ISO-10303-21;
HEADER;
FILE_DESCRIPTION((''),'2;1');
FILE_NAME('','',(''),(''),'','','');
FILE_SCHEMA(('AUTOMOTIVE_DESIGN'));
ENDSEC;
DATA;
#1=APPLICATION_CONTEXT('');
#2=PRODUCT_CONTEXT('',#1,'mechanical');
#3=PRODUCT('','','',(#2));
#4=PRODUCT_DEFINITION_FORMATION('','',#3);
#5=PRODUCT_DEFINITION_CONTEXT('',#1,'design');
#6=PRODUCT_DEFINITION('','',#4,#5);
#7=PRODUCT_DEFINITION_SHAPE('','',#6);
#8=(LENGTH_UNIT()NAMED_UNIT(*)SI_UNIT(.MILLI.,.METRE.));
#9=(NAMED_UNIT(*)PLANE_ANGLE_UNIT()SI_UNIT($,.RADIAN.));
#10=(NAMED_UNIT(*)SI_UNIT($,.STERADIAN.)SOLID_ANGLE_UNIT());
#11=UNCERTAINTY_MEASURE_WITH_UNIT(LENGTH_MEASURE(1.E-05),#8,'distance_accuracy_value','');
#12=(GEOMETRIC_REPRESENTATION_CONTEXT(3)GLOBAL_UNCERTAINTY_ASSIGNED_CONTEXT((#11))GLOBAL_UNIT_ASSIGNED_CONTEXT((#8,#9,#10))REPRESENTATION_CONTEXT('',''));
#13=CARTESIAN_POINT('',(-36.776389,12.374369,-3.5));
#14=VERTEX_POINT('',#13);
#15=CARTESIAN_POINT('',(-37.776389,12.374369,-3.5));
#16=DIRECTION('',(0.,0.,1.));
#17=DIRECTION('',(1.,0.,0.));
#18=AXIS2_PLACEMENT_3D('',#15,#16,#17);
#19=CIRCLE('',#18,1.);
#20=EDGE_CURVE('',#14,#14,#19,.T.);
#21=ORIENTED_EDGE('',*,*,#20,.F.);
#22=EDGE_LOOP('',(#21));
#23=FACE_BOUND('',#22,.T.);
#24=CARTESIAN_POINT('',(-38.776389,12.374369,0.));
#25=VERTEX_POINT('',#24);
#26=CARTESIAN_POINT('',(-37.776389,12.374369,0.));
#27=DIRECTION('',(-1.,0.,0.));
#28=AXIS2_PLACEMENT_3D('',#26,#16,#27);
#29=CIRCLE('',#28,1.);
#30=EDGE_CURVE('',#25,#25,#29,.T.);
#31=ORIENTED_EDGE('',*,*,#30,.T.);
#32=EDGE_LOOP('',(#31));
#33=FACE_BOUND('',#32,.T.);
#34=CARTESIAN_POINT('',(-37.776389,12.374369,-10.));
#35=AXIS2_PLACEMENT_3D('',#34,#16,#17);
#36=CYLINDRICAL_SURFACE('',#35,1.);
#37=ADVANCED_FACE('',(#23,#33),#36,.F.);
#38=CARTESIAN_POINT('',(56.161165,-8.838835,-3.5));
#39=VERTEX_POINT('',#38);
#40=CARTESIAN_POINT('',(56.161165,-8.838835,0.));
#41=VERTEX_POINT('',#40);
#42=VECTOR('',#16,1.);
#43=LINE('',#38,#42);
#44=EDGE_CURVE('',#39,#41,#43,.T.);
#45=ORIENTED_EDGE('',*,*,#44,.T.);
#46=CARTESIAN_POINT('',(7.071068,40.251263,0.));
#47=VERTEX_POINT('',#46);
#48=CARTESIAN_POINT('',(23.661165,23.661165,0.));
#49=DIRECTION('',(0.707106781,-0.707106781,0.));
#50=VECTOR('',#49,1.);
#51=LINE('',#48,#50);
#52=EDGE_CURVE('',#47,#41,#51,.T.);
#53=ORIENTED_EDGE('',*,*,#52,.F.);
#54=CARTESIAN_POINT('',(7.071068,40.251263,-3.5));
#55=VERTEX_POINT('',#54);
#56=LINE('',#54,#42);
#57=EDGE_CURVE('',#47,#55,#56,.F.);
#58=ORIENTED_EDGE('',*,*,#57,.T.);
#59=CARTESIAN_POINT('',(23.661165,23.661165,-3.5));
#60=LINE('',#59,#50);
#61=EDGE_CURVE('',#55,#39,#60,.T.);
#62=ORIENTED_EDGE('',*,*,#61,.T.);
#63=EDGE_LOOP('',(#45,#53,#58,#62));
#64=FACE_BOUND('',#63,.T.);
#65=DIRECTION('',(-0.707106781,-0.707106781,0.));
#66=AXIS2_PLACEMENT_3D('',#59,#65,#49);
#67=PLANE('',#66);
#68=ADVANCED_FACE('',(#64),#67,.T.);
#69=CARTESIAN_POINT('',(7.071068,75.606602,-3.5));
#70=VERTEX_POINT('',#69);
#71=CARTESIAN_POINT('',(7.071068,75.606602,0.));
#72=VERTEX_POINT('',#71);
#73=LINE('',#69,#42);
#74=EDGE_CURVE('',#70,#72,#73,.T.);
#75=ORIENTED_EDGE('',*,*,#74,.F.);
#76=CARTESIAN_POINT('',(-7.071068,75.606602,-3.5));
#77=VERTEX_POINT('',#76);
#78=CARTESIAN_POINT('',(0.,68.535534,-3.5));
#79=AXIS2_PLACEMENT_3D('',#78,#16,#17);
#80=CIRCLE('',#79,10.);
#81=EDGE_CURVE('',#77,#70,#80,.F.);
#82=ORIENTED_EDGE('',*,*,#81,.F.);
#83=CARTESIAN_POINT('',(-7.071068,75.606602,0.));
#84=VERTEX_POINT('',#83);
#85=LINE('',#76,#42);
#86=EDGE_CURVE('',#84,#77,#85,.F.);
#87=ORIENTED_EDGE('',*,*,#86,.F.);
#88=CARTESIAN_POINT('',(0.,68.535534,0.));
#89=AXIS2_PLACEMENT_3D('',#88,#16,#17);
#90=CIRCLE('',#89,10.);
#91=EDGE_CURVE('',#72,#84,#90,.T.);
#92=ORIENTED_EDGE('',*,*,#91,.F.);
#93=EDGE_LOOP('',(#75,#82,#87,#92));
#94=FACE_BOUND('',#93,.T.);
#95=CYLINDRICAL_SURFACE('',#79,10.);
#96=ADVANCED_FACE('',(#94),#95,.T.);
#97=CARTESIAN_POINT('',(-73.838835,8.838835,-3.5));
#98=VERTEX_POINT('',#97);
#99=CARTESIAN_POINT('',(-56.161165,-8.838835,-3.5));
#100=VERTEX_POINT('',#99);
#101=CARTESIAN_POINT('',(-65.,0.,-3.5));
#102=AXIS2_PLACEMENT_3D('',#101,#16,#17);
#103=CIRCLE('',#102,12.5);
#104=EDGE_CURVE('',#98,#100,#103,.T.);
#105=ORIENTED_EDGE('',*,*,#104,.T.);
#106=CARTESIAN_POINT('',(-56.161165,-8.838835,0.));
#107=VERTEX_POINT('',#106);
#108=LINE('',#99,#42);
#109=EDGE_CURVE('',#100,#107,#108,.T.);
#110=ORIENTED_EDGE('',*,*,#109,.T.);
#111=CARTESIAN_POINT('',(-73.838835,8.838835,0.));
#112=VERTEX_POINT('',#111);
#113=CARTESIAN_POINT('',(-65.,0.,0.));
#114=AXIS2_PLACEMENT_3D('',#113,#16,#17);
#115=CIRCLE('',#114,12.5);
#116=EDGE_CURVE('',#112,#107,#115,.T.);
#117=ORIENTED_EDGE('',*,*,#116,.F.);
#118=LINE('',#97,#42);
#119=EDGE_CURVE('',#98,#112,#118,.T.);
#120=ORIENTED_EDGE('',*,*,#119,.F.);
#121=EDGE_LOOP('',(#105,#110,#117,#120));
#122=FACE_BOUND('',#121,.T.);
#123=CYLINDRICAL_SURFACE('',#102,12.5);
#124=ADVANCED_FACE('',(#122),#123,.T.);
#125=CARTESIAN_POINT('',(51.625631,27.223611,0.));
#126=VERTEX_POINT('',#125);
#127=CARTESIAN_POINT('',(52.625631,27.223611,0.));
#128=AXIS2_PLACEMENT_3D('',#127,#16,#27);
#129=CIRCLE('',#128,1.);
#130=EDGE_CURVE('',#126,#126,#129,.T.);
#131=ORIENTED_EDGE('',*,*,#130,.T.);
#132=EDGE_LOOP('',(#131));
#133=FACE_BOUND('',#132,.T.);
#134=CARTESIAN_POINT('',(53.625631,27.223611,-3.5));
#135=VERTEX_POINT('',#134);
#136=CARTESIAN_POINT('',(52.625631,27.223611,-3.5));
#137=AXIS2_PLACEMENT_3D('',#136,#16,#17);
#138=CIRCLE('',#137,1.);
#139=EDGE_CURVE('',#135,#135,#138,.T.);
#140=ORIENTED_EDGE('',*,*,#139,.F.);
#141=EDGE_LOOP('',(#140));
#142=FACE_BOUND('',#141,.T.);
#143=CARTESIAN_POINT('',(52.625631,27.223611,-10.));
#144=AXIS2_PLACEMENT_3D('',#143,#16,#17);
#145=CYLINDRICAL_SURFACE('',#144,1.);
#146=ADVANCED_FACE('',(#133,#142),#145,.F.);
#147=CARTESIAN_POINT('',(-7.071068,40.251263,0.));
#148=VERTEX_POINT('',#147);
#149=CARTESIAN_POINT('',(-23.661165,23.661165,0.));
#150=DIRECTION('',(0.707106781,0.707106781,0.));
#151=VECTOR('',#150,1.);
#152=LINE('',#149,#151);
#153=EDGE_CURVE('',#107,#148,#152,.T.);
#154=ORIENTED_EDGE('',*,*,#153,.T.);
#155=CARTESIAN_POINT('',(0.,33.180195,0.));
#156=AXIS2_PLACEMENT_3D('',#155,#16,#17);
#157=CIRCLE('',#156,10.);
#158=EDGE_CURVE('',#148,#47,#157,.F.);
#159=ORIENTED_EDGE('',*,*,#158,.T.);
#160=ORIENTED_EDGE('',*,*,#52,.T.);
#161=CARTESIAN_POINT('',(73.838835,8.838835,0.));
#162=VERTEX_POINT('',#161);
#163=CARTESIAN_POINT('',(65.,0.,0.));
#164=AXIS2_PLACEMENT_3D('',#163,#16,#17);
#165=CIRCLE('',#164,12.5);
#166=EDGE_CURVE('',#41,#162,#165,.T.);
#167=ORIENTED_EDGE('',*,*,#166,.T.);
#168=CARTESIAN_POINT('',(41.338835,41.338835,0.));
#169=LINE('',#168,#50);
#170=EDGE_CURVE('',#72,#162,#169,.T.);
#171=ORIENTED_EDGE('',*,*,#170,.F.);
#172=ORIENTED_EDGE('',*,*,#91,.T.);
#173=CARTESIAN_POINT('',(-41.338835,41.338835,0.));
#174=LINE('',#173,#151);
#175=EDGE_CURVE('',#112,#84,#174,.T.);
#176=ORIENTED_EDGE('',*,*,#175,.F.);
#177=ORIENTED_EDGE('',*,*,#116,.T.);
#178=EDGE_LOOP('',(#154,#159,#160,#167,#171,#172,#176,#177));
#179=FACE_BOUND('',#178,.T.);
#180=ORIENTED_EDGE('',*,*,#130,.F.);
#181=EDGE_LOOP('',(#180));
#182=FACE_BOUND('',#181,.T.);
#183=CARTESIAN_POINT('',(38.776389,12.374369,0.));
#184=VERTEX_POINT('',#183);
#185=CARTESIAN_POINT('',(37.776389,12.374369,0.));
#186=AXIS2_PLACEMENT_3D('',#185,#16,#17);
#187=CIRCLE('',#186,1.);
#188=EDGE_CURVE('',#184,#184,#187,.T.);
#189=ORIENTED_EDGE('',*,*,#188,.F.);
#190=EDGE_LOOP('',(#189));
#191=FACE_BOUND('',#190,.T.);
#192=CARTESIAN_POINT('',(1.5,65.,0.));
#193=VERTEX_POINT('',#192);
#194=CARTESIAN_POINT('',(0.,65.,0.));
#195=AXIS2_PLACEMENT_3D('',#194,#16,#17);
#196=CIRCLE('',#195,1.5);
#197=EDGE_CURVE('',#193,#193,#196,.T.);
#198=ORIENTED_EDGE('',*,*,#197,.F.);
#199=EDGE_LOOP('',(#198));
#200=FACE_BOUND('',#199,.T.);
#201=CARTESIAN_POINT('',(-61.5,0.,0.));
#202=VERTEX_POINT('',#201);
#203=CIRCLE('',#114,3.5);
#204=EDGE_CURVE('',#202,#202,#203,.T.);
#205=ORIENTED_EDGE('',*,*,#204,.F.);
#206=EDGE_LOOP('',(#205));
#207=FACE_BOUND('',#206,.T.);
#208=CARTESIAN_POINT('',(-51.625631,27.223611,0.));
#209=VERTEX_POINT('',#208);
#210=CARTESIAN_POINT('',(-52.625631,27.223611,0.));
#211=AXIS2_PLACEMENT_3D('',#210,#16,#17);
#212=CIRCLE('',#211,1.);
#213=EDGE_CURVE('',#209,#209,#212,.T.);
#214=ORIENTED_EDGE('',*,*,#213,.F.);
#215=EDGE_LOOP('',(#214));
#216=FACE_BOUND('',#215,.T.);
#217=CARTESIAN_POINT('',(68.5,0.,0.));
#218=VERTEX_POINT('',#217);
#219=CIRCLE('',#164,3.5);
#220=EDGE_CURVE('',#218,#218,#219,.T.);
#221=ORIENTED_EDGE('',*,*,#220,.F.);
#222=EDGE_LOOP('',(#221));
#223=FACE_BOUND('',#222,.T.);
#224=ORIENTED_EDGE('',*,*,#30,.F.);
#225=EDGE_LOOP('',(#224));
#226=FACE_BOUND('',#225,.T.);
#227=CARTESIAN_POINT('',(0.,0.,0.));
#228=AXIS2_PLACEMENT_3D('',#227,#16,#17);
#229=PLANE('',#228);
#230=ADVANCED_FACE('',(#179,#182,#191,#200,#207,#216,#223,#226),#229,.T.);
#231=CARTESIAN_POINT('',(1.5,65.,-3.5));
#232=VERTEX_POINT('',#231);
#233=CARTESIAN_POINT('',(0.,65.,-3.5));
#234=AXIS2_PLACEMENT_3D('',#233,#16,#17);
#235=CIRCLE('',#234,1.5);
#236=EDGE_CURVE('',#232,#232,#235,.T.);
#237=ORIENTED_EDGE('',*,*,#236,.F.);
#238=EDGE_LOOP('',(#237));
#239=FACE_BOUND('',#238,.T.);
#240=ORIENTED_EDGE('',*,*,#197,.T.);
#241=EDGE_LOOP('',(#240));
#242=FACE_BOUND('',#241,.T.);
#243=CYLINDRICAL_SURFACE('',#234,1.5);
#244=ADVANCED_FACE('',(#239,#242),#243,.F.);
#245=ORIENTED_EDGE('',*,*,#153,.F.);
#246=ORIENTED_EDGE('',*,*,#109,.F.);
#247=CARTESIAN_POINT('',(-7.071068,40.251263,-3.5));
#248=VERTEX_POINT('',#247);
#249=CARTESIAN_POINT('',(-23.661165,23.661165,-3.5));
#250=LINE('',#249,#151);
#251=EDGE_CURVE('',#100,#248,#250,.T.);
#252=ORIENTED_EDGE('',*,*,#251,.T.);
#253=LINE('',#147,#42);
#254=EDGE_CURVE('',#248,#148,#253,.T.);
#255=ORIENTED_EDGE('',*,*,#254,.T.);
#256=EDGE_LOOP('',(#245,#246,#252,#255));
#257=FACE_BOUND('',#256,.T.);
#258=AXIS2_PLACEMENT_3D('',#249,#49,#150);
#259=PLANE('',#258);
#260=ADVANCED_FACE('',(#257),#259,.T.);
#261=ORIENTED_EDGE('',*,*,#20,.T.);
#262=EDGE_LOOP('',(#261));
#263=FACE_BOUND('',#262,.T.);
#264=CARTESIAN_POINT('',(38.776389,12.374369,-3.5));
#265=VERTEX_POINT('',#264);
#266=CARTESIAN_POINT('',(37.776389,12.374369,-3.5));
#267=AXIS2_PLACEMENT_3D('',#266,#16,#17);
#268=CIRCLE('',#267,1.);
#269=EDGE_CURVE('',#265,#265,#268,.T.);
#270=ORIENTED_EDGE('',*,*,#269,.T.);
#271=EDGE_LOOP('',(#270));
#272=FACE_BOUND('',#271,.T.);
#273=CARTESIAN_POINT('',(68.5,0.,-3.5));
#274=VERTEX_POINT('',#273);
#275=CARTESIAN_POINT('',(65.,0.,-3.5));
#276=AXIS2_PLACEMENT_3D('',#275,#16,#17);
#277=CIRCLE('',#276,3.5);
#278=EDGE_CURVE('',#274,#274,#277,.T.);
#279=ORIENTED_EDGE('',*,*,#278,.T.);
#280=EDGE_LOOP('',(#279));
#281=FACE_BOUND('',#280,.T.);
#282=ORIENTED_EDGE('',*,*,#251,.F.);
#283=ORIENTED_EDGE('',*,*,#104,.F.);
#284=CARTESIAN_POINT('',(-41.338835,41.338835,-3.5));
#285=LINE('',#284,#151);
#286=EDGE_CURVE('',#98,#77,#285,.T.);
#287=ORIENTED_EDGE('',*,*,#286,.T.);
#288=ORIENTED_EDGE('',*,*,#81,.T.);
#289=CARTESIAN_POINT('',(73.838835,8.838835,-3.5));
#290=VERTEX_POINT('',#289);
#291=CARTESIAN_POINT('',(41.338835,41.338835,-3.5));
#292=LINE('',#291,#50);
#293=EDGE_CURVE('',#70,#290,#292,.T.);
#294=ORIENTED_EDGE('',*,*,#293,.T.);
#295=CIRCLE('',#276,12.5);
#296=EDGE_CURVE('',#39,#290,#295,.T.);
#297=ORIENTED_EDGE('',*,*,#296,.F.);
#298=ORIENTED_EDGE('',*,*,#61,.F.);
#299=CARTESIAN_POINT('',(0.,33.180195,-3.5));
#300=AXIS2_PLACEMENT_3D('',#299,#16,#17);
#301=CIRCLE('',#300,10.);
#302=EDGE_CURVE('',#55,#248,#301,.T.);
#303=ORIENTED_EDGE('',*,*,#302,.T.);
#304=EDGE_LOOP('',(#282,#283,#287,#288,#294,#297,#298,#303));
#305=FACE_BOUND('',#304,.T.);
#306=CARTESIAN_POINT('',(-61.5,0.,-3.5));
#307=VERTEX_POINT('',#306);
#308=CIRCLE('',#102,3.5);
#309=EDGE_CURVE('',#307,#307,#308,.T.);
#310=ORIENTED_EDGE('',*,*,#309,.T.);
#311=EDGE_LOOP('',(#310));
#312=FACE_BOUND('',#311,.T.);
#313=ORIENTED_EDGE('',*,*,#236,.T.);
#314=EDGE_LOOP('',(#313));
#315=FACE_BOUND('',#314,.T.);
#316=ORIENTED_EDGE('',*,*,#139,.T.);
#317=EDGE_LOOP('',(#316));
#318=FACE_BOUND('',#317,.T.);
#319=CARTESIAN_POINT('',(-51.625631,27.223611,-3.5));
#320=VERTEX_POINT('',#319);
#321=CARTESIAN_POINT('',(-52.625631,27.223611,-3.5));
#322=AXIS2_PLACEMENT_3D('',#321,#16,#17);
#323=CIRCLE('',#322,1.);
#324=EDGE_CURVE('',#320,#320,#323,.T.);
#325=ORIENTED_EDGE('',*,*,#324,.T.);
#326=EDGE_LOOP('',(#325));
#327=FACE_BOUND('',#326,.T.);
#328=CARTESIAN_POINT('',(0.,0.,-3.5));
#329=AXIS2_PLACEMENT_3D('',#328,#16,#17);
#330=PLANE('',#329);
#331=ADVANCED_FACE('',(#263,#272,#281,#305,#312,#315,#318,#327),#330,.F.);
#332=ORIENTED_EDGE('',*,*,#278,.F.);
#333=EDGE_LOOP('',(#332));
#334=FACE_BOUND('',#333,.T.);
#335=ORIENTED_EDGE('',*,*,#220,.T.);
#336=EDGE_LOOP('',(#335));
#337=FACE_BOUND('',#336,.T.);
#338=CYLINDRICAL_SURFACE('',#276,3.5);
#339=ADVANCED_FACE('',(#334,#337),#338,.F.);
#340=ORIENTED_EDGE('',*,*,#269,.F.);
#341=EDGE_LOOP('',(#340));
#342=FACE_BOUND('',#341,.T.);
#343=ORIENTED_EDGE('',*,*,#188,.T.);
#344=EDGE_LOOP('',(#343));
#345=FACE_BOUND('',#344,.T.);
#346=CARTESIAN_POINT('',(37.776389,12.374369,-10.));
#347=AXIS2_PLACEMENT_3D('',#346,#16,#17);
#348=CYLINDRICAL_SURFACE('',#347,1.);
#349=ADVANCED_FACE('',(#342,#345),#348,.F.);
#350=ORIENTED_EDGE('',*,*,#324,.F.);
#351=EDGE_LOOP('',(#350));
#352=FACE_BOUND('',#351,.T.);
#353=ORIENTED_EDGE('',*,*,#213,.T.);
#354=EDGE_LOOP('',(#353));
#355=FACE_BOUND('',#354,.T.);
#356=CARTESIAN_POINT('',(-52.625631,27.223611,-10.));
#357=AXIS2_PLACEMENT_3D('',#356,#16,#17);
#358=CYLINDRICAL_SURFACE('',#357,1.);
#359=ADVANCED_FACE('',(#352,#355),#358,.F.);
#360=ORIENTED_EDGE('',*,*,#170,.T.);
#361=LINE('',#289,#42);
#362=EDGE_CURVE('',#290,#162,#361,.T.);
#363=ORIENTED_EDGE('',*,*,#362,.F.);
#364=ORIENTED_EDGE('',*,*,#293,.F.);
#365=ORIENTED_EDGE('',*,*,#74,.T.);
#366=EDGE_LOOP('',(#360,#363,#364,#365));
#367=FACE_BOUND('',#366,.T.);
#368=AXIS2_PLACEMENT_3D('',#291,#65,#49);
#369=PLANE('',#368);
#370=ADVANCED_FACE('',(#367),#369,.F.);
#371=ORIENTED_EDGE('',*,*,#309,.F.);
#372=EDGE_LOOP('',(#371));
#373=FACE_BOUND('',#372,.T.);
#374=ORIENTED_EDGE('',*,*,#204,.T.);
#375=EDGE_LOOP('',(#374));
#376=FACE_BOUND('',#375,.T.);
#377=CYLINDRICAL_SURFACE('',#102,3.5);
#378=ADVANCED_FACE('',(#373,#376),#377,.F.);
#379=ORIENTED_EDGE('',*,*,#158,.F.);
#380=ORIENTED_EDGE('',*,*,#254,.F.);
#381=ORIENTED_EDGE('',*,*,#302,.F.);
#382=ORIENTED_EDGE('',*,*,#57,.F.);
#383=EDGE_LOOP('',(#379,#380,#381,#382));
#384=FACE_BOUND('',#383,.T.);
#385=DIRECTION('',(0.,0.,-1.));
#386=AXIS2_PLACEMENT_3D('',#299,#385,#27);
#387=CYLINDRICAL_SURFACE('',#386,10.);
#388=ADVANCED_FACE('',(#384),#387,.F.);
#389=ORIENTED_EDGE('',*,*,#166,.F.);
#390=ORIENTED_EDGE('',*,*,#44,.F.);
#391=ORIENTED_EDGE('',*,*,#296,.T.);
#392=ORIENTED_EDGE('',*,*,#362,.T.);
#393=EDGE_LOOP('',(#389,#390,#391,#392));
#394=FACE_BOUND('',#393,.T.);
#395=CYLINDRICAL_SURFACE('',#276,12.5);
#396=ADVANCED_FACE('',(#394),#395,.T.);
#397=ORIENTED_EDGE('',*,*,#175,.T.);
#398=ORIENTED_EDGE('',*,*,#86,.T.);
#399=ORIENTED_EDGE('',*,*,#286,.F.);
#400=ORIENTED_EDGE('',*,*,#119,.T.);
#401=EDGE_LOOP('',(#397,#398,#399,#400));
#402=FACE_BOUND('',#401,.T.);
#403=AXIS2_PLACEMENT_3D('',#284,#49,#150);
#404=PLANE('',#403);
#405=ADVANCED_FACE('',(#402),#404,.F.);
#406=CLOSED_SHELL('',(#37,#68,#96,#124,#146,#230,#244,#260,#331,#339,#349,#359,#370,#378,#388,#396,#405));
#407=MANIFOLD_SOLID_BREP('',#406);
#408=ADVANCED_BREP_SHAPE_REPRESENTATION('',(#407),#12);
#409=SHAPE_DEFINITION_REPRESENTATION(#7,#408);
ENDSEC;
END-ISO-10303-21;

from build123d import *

# Parameters (mm, degrees)
SKETCH2_R           = 3.5
SKETCH2_R_2         = 1.5
BOSS_EXTRUDE1_DEPTH = 3.5
FILLET1_R           = 10
SKETCH3_R           = 1
CUT_EXTRUDE1_DEPTH  = 10


with BuildPart() as part:
    # Sketch2 → Boss-Extrude1 (new body)
    with BuildSketch(Plane.XY):
        with BuildLine():
            Line((-56.161165235, -8.838834765), (0, 47.32233047))
            Line((0, 47.32233047), (56.161165235, -8.838834765))
            ThreePointArc((56.161165235, -8.838834765), (73.838834765, -8.838834765), (73.838834765, 8.838834765))
            Line((73.838834765, 8.838834765), (0, 82.67766953))
            Line((0, 82.67766953), (-73.838834765, 8.838834765))
            ThreePointArc((-73.838834765, 8.838834765), (-73.838834765, -8.838834765), (-56.161165235, -8.838834765))
        make_face()
        with Locations((-65, 0)):
            Circle(SKETCH2_R, mode=Mode.SUBTRACT)
        with Locations((65, 0)):
            Circle(SKETCH2_R, mode=Mode.SUBTRACT)
        with Locations((0, 65)):
            Circle(SKETCH2_R_2, mode=Mode.SUBTRACT)
    extrude(amount=-BOSS_EXTRUDE1_DEPTH)

    # Fillet1
    fillet1_edges = [part.edges().sort_by_distance(p)[0] for p in [
        (0, 82.67766953, -1.75),
        (0, 47.32233047, -1.75),
    ]]
    fillet(fillet1_edges, radius=FILLET1_R)

    # Sketch3 → Cut-Extrude1 (cut)
    with BuildSketch(Plane.XY):
        with Locations((-52.625631329, 27.223611076)):
            Circle(SKETCH3_R)
        with Locations((-37.776388924, 12.374368671)):
            Circle(SKETCH3_R)
        with Locations((37.776388924, 12.374368671)):
            Circle(SKETCH3_R)
        with Locations((52.625631329, 27.223611076)):
            Circle(SKETCH3_R)
    extrude(amount=-CUT_EXTRUDE1_DEPTH, mode=Mode.SUBTRACT)


solid = part.part
